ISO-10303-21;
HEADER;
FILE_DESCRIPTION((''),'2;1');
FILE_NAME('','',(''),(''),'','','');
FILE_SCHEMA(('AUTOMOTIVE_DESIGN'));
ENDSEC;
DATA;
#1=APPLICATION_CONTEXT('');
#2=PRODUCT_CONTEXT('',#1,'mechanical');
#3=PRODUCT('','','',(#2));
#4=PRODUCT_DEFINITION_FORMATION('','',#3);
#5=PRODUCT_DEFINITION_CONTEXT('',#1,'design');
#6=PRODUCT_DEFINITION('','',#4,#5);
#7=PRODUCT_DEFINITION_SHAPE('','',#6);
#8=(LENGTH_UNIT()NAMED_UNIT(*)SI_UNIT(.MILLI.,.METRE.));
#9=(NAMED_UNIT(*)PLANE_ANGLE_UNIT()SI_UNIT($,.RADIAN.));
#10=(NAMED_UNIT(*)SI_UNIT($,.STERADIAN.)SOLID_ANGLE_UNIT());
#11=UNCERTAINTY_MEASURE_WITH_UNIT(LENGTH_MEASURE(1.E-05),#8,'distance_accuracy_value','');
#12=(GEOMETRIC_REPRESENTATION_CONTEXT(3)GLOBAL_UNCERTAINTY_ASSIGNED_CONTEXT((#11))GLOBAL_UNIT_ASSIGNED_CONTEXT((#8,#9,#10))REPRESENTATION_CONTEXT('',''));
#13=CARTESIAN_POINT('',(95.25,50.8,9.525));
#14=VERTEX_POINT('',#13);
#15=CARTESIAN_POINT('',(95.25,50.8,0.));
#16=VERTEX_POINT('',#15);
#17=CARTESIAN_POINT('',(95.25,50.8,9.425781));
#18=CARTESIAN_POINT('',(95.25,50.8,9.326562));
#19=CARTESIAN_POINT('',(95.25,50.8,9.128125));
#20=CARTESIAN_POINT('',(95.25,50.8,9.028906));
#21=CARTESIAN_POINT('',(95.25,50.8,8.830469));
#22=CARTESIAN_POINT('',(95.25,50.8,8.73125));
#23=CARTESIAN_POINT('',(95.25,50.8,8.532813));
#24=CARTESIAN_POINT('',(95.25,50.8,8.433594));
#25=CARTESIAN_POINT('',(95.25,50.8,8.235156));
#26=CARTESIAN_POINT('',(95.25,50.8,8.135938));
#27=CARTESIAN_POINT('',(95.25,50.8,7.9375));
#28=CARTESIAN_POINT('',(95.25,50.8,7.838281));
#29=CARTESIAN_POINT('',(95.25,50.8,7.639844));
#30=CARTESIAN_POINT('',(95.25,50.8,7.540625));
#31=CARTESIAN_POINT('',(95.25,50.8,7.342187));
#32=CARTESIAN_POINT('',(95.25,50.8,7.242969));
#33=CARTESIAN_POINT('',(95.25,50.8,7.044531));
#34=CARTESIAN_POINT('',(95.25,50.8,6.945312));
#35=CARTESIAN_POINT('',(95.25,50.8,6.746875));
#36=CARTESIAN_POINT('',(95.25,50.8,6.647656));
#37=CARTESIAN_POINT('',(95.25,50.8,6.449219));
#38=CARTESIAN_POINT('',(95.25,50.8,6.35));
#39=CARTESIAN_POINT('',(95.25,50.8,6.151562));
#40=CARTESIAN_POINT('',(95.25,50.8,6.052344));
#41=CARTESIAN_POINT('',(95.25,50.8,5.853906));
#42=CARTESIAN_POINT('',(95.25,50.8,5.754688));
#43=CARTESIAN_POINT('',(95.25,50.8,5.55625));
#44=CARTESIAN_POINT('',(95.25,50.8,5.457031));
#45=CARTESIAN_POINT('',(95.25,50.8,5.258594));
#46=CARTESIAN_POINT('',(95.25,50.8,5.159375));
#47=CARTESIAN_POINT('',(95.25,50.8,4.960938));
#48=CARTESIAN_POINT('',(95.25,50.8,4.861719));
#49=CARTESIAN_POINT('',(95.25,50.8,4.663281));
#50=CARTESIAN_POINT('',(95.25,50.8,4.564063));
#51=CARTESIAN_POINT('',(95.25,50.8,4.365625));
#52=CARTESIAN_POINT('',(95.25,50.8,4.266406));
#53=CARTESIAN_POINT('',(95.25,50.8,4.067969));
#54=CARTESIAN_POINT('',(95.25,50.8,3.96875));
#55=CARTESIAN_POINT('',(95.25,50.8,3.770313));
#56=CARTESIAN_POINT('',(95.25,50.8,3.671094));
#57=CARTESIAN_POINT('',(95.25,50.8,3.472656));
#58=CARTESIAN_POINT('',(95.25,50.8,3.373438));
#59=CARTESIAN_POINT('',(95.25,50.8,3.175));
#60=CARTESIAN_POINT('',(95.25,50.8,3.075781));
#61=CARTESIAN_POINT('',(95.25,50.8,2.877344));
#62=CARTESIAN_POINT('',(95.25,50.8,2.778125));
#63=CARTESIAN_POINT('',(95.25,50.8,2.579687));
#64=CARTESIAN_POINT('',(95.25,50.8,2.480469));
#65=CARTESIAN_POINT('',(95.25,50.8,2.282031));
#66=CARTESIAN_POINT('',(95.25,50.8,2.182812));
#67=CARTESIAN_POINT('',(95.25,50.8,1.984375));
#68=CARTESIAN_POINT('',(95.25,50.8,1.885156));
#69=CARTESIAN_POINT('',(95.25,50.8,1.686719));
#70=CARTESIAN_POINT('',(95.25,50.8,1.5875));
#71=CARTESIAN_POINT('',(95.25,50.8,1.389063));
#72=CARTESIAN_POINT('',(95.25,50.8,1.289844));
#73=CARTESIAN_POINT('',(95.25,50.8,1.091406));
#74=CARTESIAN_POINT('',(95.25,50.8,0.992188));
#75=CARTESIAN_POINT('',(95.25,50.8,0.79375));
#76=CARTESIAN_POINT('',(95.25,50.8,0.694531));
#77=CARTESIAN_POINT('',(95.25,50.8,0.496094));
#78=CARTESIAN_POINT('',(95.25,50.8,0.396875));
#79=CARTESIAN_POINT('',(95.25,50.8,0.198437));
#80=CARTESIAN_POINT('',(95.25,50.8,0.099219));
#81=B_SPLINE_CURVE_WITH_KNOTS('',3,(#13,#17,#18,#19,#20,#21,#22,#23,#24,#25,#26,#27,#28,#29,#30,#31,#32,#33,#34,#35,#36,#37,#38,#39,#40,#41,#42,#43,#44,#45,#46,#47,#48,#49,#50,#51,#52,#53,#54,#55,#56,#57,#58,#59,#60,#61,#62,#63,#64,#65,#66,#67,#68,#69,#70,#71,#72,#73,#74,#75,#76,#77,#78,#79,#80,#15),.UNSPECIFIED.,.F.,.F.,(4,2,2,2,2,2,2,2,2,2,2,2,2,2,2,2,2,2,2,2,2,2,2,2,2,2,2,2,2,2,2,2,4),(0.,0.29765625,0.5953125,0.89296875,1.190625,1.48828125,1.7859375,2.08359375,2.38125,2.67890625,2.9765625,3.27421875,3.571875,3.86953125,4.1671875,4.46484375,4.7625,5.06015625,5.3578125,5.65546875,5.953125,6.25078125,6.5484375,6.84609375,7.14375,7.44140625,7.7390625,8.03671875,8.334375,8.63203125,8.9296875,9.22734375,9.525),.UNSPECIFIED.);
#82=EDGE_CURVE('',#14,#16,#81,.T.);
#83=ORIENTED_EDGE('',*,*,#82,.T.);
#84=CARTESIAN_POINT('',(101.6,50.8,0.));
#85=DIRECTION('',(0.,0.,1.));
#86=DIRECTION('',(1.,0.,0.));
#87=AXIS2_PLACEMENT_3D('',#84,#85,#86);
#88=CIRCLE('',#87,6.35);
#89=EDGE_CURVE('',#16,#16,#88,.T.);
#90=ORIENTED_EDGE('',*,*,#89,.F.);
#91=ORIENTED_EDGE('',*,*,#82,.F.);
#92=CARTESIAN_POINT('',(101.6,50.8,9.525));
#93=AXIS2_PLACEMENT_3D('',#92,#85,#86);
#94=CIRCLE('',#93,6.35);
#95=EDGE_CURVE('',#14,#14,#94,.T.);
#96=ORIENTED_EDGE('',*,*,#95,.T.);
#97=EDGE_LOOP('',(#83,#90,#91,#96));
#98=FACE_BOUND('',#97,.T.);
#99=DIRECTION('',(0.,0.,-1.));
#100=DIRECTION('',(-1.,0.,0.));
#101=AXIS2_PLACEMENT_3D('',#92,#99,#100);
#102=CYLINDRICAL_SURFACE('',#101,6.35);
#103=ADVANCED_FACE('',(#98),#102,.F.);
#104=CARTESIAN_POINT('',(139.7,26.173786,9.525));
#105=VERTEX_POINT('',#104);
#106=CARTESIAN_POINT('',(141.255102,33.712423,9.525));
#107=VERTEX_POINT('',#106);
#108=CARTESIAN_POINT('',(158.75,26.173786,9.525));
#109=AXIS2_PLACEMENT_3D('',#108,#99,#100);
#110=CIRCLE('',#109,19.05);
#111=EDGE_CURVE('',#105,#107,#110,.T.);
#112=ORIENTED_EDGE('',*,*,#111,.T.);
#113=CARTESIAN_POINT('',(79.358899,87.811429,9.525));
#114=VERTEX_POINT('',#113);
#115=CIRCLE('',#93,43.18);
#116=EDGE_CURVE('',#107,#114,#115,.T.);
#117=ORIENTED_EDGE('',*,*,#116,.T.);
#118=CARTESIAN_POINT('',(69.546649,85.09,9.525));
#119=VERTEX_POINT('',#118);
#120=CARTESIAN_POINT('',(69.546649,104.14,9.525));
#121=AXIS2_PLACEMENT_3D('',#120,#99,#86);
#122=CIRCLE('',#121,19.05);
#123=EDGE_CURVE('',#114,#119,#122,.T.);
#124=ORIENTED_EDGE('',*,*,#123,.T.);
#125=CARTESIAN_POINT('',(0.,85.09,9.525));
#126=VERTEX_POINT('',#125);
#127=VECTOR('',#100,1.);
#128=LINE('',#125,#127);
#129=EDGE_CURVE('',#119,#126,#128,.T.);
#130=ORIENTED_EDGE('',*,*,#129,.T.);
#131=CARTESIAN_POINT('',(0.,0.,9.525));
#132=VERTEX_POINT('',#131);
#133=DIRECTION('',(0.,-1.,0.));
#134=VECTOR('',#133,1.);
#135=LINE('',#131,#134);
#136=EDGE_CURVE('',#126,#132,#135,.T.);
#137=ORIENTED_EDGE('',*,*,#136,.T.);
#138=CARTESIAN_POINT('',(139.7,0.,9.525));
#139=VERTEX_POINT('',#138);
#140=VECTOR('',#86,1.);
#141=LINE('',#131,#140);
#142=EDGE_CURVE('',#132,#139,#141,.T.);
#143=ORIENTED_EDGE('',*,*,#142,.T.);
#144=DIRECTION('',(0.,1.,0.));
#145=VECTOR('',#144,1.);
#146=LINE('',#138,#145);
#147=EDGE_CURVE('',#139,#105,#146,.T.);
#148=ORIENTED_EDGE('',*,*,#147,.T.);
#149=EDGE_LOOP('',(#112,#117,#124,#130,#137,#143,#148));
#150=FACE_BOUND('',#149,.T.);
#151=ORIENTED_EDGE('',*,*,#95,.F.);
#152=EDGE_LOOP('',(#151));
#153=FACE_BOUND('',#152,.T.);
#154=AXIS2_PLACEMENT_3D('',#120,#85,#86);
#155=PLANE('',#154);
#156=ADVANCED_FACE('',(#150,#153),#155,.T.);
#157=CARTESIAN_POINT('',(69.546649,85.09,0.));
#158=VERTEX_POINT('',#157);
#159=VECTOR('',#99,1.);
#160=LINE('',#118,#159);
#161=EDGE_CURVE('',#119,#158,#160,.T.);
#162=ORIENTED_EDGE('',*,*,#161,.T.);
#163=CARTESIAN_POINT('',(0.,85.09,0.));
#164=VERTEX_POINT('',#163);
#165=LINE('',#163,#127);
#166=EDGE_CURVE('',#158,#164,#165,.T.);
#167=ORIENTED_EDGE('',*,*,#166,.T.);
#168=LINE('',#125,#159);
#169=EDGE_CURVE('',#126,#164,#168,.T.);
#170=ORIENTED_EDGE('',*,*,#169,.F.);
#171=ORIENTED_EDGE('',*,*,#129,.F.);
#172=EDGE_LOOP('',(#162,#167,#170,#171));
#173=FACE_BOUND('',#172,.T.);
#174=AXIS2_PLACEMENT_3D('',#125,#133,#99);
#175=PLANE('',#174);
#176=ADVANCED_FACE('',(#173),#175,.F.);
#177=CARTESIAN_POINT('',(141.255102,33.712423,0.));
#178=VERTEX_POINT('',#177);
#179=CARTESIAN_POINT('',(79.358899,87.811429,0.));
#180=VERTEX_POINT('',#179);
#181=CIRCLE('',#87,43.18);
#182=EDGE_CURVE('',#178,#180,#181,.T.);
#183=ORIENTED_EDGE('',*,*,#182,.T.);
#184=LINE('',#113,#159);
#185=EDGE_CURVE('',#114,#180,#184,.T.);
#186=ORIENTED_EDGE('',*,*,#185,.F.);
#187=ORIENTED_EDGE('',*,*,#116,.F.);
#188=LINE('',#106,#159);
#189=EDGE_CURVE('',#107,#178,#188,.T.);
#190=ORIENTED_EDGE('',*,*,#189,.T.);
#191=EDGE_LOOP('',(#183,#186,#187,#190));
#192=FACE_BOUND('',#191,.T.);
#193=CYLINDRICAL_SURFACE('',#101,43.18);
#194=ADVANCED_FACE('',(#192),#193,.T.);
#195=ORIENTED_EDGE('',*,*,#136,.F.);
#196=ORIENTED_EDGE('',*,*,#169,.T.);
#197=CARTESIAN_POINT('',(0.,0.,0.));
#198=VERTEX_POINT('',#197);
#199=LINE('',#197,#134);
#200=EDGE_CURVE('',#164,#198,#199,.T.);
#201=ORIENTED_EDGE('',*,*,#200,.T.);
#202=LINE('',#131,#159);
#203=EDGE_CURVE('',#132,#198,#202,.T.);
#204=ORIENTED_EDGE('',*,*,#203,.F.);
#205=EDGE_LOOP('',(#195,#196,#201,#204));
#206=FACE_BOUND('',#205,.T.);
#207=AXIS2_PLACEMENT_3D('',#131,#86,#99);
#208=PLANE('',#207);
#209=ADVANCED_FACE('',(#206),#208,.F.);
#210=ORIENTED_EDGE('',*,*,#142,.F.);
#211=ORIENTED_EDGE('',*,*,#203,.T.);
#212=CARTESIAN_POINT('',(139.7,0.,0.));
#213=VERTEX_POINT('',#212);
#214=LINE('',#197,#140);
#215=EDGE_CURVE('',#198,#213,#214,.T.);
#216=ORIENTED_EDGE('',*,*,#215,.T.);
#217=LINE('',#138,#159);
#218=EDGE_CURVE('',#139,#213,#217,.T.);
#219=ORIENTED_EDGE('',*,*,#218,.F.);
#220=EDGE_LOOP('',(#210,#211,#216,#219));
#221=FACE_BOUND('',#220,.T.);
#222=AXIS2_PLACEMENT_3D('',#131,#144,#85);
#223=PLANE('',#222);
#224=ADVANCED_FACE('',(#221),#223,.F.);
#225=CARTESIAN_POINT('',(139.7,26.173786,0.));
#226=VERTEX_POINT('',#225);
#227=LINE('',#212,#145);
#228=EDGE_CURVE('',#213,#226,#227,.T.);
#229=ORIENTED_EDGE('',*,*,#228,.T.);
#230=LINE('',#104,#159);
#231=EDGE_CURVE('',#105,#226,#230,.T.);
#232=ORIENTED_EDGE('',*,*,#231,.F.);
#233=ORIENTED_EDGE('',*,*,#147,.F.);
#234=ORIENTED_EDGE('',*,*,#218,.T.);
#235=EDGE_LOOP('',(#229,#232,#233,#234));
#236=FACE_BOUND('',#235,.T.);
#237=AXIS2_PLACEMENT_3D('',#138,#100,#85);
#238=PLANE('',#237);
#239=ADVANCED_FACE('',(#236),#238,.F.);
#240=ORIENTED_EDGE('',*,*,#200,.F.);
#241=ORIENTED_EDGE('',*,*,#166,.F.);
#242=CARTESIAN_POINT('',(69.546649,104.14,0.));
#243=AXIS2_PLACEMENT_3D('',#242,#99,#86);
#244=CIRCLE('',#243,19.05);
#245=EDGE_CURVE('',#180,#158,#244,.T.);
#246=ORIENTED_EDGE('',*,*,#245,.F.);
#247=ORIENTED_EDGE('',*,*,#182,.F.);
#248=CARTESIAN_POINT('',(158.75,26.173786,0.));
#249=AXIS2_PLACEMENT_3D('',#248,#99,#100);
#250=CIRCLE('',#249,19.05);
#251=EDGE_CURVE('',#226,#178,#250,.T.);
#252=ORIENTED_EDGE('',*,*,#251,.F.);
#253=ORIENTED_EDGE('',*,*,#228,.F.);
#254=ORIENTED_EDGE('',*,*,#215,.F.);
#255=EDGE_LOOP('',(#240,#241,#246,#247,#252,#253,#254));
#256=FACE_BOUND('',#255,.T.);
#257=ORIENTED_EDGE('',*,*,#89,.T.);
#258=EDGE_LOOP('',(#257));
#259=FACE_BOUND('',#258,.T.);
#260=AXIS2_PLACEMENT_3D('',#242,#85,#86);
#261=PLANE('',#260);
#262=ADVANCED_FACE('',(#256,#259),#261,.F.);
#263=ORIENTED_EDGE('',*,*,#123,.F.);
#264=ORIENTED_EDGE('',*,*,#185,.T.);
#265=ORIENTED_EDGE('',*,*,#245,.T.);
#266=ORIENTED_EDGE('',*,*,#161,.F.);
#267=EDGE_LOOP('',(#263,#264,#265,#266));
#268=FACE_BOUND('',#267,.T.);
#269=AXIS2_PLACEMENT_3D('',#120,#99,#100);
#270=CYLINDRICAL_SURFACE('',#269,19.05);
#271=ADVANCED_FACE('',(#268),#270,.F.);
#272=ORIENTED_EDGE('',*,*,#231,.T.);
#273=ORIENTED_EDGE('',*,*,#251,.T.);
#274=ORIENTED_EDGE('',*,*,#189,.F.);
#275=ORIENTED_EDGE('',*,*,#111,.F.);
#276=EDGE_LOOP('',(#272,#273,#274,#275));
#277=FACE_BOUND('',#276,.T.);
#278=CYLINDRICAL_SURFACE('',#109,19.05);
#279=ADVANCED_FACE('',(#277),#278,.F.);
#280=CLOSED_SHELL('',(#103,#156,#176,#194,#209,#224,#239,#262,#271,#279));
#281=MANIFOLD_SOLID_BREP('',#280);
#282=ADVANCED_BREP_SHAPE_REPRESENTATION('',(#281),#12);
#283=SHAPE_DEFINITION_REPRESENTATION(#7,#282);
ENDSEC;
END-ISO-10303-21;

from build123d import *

# Parameters (mm, degrees)
SKETCH1_R      = 6.35
EXTRUDE1_DEPTH = 9.525


with BuildPart() as part:
    # Sketch1 → Extrude1 (new body)
    with BuildSketch(Plane.XY):
        with BuildLine():
            Line((0, 0), (139.7, 0))
            Line((139.7, 0), (139.7, 26.173786324))
            ThreePointArc((139.7, 26.173786324), (140.092825695, 30.022467519), (141.255102041, 33.712423164))
            ThreePointArc((141.255102041, 33.712423164), (130.016323799, 83.311919995), (79.358899418, 87.811428571))
            ThreePointArc((79.358899418, 87.811428571), (74.63797582, 85.782960673), (69.546649161, 85.09))
            Line((69.546649161, 85.09), (0, 85.09))
            Line((0, 85.09), (0, 0))
        make_face()
        with Locations(Location((101.6, 50.8, 0), (0, 0, 180))):
            Circle(SKETCH1_R, mode=Mode.SUBTRACT)
    extrude(amount=EXTRUDE1_DEPTH)


solid = part.part
